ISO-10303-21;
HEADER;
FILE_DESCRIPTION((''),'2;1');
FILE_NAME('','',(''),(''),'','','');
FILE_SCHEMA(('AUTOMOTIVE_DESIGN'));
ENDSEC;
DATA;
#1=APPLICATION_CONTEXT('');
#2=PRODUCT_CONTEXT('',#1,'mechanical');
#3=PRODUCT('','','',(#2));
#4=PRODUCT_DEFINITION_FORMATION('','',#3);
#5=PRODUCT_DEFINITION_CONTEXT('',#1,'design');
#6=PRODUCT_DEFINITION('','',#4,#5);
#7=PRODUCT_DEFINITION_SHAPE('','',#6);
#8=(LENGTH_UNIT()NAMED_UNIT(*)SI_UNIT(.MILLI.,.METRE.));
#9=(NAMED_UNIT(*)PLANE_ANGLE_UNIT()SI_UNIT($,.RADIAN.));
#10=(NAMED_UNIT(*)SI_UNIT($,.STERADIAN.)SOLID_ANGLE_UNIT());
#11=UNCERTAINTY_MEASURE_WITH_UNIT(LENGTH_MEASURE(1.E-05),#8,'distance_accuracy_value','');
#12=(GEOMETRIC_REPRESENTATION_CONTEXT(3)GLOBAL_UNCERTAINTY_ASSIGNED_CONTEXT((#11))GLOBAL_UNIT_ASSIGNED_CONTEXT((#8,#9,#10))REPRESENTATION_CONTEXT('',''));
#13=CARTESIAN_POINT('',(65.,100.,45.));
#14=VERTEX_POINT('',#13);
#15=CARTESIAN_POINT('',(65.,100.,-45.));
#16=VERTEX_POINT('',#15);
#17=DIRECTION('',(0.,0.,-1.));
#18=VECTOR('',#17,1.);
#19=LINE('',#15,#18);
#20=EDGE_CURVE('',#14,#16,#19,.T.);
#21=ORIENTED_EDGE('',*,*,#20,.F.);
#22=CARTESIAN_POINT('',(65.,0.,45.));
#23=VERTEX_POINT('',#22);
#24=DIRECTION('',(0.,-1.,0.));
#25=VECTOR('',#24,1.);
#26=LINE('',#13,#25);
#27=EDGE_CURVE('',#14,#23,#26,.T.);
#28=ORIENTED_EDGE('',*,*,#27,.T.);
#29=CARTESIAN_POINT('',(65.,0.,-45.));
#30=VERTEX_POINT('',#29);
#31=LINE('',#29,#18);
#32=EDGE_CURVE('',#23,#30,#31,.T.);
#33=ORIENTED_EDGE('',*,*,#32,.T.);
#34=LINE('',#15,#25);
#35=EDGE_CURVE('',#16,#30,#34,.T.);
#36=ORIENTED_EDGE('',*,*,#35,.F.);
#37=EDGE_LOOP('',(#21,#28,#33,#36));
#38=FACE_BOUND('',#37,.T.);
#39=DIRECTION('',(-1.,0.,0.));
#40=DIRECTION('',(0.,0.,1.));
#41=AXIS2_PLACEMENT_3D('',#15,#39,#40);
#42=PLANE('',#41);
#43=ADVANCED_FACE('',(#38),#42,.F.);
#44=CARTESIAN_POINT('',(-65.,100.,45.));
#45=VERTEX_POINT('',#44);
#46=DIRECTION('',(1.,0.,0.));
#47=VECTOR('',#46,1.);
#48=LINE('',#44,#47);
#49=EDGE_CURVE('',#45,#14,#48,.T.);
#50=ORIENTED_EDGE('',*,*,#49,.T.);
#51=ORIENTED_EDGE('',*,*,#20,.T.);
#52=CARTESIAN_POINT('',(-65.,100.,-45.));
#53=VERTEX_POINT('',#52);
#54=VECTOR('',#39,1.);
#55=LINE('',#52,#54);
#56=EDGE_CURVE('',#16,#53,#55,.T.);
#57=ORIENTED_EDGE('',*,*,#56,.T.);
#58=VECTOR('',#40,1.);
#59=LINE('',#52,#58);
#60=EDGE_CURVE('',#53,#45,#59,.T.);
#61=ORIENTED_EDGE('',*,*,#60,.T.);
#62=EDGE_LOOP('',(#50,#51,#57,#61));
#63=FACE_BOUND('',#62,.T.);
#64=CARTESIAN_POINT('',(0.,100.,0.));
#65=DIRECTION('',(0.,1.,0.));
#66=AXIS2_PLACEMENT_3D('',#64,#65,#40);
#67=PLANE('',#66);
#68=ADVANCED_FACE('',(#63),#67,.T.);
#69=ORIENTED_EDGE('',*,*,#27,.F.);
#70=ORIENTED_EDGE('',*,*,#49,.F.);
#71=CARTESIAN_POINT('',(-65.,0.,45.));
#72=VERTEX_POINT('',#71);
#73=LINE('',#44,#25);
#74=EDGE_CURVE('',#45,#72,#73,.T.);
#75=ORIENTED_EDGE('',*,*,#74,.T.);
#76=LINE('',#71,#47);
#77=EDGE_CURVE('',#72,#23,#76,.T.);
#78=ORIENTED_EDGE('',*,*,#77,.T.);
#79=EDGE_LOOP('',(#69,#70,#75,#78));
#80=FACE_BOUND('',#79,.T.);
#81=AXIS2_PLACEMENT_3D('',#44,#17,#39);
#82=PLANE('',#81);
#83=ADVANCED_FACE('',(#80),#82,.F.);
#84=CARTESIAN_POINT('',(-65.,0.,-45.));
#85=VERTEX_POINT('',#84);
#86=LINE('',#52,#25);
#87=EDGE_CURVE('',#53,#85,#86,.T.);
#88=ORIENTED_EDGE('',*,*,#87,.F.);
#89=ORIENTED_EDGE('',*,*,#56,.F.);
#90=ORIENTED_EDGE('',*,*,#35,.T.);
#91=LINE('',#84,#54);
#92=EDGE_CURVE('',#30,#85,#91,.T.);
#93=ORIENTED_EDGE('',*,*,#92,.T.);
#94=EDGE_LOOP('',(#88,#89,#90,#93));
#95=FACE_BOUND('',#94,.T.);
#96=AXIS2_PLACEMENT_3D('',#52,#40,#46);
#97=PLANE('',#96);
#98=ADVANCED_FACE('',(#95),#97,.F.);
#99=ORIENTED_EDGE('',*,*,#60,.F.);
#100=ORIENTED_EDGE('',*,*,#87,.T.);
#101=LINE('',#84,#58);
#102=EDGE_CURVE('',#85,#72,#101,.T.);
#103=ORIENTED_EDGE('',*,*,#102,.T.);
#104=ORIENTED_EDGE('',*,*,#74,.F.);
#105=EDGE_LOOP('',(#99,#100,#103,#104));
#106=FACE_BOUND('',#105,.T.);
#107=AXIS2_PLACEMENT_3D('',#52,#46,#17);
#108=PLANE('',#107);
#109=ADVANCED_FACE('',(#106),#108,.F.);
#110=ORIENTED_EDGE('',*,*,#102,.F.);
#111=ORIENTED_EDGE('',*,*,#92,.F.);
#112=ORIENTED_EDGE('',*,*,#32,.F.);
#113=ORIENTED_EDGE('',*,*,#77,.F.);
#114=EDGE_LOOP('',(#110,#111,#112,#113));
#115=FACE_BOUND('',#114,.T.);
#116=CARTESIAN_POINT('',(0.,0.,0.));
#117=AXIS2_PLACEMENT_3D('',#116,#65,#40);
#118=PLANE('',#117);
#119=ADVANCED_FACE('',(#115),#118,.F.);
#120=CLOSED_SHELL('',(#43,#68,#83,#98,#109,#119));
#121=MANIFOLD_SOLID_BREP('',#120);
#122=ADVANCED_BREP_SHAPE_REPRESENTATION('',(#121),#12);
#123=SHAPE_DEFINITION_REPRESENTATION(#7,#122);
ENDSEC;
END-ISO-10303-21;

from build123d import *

# Parameters (mm, degrees)
SKETCH_1_W      = 130
SKETCH_1_H      = 90
EXTRUDE_1_DEPTH = 100


with BuildPart() as part:
    # 草图1 → 凸台-拉伸1 (new body)
    with BuildSketch(Plane(origin=(0, 0, 0), x_dir=(1, 0, 0), z_dir=(0, 1, 0))):
        Rectangle(SKETCH_1_W, SKETCH_1_H)
    extrude(amount=EXTRUDE_1_DEPTH)


solid = part.part
